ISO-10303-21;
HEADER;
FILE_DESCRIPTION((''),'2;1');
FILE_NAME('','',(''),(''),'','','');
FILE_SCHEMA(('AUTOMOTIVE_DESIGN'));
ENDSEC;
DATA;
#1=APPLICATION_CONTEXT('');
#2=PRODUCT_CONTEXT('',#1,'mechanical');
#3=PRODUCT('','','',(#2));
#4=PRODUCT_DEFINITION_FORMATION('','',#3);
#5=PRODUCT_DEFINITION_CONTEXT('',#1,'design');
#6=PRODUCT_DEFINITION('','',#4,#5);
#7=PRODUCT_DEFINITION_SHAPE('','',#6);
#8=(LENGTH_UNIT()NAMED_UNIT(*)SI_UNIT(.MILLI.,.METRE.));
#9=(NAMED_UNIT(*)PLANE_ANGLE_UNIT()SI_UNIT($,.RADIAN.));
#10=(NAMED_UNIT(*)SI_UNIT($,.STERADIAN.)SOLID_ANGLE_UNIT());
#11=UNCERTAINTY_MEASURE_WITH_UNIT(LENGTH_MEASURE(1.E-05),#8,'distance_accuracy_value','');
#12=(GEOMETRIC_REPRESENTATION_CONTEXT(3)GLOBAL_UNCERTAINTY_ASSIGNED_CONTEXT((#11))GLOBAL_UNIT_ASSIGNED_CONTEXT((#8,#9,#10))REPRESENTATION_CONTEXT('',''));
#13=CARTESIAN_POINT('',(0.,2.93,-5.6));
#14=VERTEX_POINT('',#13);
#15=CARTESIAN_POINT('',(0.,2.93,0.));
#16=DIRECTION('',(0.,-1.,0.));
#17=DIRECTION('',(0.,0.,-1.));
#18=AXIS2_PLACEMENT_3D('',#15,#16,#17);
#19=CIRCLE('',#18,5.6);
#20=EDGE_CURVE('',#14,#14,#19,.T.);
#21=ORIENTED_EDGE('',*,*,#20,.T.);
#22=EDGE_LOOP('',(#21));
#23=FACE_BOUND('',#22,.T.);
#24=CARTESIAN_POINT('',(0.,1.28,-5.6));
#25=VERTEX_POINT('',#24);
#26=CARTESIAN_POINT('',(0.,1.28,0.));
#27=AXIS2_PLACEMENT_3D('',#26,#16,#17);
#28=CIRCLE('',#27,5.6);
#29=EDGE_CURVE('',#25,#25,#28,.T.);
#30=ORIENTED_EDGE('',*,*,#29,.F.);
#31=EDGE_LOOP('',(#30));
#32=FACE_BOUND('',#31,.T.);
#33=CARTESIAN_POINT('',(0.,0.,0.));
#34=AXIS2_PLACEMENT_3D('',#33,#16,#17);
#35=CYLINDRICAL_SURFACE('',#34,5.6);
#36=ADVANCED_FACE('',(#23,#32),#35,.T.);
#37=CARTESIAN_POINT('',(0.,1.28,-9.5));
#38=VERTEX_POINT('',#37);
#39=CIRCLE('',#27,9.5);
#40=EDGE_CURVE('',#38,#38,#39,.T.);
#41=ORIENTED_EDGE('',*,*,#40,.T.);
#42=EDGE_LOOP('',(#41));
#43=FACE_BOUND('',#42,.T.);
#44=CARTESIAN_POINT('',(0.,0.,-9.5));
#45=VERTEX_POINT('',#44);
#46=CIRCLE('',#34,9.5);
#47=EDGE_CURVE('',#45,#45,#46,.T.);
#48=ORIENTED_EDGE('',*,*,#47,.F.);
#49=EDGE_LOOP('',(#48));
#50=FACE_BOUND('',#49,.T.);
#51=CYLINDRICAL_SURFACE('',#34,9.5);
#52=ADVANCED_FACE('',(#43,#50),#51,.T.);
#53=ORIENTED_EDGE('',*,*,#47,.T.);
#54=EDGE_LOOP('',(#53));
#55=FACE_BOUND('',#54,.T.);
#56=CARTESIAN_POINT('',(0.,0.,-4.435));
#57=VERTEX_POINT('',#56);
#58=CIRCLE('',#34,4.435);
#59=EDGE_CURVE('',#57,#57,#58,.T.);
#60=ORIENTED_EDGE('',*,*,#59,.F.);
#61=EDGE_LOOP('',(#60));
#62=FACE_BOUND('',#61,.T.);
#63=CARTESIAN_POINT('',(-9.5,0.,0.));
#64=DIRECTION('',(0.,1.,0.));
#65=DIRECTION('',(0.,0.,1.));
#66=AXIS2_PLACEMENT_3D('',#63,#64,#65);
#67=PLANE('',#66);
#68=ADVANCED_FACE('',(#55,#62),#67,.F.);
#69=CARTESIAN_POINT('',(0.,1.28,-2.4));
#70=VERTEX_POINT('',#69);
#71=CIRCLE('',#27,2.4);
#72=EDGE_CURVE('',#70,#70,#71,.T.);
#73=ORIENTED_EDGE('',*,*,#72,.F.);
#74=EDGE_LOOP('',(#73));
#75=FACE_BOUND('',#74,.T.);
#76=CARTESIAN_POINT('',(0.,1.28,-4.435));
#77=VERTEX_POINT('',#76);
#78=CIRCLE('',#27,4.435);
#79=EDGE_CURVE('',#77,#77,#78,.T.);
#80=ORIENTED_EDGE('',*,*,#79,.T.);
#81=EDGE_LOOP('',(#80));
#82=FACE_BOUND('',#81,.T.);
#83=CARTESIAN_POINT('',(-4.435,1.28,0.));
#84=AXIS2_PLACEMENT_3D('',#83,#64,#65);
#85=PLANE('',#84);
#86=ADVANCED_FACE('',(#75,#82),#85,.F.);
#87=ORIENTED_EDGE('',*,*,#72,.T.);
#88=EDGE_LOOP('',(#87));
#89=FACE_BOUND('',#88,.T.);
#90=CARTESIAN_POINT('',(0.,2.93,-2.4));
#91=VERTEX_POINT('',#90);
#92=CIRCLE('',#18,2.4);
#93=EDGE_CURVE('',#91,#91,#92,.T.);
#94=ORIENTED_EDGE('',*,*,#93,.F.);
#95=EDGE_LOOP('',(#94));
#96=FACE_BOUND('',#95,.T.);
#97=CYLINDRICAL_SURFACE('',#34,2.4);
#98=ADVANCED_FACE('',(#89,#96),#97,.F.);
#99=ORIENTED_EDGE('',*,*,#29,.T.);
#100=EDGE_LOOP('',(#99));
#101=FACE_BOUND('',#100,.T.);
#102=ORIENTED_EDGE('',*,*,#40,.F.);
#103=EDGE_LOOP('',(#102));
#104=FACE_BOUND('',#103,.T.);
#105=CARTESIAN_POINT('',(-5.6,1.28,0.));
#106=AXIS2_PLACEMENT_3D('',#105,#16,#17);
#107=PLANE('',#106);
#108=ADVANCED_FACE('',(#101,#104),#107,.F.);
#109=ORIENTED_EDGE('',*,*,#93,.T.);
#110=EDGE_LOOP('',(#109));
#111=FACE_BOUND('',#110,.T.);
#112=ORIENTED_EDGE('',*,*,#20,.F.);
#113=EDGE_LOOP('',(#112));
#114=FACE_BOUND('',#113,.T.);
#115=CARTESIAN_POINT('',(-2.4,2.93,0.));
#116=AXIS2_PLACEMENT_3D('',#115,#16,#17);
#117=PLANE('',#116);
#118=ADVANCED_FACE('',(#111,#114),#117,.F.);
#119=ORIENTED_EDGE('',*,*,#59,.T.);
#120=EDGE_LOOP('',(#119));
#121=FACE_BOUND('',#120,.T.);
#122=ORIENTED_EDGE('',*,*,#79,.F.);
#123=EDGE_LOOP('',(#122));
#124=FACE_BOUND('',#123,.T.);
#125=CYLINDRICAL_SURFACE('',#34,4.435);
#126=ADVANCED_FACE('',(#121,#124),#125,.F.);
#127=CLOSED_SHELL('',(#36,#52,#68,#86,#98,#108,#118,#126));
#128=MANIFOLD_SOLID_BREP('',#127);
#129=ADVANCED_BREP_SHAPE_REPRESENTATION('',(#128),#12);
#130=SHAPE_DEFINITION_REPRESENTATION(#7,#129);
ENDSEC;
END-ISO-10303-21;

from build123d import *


with BuildPart() as part:
    # Sketch1 → Revolve1 (revolve)
    with BuildSketch(Plane.XY, mode=Mode.PRIVATE) as revolve1_sk:
        Polygon((-4.435, 0), (-4.435, 1.28), (-2.4, 1.28), (-2.4, 2.93), (-5.6, 2.93), (-5.6, 1.28), (-9.5, 1.28), (-9.5, 0), align=None)
    revolve(revolve1_sk.sketch.rotate(Axis((0, 0, 0), (0, 1, 0)), 270), axis=Axis((0, 0, 0), (0, 1, 0)))


solid = part.part
